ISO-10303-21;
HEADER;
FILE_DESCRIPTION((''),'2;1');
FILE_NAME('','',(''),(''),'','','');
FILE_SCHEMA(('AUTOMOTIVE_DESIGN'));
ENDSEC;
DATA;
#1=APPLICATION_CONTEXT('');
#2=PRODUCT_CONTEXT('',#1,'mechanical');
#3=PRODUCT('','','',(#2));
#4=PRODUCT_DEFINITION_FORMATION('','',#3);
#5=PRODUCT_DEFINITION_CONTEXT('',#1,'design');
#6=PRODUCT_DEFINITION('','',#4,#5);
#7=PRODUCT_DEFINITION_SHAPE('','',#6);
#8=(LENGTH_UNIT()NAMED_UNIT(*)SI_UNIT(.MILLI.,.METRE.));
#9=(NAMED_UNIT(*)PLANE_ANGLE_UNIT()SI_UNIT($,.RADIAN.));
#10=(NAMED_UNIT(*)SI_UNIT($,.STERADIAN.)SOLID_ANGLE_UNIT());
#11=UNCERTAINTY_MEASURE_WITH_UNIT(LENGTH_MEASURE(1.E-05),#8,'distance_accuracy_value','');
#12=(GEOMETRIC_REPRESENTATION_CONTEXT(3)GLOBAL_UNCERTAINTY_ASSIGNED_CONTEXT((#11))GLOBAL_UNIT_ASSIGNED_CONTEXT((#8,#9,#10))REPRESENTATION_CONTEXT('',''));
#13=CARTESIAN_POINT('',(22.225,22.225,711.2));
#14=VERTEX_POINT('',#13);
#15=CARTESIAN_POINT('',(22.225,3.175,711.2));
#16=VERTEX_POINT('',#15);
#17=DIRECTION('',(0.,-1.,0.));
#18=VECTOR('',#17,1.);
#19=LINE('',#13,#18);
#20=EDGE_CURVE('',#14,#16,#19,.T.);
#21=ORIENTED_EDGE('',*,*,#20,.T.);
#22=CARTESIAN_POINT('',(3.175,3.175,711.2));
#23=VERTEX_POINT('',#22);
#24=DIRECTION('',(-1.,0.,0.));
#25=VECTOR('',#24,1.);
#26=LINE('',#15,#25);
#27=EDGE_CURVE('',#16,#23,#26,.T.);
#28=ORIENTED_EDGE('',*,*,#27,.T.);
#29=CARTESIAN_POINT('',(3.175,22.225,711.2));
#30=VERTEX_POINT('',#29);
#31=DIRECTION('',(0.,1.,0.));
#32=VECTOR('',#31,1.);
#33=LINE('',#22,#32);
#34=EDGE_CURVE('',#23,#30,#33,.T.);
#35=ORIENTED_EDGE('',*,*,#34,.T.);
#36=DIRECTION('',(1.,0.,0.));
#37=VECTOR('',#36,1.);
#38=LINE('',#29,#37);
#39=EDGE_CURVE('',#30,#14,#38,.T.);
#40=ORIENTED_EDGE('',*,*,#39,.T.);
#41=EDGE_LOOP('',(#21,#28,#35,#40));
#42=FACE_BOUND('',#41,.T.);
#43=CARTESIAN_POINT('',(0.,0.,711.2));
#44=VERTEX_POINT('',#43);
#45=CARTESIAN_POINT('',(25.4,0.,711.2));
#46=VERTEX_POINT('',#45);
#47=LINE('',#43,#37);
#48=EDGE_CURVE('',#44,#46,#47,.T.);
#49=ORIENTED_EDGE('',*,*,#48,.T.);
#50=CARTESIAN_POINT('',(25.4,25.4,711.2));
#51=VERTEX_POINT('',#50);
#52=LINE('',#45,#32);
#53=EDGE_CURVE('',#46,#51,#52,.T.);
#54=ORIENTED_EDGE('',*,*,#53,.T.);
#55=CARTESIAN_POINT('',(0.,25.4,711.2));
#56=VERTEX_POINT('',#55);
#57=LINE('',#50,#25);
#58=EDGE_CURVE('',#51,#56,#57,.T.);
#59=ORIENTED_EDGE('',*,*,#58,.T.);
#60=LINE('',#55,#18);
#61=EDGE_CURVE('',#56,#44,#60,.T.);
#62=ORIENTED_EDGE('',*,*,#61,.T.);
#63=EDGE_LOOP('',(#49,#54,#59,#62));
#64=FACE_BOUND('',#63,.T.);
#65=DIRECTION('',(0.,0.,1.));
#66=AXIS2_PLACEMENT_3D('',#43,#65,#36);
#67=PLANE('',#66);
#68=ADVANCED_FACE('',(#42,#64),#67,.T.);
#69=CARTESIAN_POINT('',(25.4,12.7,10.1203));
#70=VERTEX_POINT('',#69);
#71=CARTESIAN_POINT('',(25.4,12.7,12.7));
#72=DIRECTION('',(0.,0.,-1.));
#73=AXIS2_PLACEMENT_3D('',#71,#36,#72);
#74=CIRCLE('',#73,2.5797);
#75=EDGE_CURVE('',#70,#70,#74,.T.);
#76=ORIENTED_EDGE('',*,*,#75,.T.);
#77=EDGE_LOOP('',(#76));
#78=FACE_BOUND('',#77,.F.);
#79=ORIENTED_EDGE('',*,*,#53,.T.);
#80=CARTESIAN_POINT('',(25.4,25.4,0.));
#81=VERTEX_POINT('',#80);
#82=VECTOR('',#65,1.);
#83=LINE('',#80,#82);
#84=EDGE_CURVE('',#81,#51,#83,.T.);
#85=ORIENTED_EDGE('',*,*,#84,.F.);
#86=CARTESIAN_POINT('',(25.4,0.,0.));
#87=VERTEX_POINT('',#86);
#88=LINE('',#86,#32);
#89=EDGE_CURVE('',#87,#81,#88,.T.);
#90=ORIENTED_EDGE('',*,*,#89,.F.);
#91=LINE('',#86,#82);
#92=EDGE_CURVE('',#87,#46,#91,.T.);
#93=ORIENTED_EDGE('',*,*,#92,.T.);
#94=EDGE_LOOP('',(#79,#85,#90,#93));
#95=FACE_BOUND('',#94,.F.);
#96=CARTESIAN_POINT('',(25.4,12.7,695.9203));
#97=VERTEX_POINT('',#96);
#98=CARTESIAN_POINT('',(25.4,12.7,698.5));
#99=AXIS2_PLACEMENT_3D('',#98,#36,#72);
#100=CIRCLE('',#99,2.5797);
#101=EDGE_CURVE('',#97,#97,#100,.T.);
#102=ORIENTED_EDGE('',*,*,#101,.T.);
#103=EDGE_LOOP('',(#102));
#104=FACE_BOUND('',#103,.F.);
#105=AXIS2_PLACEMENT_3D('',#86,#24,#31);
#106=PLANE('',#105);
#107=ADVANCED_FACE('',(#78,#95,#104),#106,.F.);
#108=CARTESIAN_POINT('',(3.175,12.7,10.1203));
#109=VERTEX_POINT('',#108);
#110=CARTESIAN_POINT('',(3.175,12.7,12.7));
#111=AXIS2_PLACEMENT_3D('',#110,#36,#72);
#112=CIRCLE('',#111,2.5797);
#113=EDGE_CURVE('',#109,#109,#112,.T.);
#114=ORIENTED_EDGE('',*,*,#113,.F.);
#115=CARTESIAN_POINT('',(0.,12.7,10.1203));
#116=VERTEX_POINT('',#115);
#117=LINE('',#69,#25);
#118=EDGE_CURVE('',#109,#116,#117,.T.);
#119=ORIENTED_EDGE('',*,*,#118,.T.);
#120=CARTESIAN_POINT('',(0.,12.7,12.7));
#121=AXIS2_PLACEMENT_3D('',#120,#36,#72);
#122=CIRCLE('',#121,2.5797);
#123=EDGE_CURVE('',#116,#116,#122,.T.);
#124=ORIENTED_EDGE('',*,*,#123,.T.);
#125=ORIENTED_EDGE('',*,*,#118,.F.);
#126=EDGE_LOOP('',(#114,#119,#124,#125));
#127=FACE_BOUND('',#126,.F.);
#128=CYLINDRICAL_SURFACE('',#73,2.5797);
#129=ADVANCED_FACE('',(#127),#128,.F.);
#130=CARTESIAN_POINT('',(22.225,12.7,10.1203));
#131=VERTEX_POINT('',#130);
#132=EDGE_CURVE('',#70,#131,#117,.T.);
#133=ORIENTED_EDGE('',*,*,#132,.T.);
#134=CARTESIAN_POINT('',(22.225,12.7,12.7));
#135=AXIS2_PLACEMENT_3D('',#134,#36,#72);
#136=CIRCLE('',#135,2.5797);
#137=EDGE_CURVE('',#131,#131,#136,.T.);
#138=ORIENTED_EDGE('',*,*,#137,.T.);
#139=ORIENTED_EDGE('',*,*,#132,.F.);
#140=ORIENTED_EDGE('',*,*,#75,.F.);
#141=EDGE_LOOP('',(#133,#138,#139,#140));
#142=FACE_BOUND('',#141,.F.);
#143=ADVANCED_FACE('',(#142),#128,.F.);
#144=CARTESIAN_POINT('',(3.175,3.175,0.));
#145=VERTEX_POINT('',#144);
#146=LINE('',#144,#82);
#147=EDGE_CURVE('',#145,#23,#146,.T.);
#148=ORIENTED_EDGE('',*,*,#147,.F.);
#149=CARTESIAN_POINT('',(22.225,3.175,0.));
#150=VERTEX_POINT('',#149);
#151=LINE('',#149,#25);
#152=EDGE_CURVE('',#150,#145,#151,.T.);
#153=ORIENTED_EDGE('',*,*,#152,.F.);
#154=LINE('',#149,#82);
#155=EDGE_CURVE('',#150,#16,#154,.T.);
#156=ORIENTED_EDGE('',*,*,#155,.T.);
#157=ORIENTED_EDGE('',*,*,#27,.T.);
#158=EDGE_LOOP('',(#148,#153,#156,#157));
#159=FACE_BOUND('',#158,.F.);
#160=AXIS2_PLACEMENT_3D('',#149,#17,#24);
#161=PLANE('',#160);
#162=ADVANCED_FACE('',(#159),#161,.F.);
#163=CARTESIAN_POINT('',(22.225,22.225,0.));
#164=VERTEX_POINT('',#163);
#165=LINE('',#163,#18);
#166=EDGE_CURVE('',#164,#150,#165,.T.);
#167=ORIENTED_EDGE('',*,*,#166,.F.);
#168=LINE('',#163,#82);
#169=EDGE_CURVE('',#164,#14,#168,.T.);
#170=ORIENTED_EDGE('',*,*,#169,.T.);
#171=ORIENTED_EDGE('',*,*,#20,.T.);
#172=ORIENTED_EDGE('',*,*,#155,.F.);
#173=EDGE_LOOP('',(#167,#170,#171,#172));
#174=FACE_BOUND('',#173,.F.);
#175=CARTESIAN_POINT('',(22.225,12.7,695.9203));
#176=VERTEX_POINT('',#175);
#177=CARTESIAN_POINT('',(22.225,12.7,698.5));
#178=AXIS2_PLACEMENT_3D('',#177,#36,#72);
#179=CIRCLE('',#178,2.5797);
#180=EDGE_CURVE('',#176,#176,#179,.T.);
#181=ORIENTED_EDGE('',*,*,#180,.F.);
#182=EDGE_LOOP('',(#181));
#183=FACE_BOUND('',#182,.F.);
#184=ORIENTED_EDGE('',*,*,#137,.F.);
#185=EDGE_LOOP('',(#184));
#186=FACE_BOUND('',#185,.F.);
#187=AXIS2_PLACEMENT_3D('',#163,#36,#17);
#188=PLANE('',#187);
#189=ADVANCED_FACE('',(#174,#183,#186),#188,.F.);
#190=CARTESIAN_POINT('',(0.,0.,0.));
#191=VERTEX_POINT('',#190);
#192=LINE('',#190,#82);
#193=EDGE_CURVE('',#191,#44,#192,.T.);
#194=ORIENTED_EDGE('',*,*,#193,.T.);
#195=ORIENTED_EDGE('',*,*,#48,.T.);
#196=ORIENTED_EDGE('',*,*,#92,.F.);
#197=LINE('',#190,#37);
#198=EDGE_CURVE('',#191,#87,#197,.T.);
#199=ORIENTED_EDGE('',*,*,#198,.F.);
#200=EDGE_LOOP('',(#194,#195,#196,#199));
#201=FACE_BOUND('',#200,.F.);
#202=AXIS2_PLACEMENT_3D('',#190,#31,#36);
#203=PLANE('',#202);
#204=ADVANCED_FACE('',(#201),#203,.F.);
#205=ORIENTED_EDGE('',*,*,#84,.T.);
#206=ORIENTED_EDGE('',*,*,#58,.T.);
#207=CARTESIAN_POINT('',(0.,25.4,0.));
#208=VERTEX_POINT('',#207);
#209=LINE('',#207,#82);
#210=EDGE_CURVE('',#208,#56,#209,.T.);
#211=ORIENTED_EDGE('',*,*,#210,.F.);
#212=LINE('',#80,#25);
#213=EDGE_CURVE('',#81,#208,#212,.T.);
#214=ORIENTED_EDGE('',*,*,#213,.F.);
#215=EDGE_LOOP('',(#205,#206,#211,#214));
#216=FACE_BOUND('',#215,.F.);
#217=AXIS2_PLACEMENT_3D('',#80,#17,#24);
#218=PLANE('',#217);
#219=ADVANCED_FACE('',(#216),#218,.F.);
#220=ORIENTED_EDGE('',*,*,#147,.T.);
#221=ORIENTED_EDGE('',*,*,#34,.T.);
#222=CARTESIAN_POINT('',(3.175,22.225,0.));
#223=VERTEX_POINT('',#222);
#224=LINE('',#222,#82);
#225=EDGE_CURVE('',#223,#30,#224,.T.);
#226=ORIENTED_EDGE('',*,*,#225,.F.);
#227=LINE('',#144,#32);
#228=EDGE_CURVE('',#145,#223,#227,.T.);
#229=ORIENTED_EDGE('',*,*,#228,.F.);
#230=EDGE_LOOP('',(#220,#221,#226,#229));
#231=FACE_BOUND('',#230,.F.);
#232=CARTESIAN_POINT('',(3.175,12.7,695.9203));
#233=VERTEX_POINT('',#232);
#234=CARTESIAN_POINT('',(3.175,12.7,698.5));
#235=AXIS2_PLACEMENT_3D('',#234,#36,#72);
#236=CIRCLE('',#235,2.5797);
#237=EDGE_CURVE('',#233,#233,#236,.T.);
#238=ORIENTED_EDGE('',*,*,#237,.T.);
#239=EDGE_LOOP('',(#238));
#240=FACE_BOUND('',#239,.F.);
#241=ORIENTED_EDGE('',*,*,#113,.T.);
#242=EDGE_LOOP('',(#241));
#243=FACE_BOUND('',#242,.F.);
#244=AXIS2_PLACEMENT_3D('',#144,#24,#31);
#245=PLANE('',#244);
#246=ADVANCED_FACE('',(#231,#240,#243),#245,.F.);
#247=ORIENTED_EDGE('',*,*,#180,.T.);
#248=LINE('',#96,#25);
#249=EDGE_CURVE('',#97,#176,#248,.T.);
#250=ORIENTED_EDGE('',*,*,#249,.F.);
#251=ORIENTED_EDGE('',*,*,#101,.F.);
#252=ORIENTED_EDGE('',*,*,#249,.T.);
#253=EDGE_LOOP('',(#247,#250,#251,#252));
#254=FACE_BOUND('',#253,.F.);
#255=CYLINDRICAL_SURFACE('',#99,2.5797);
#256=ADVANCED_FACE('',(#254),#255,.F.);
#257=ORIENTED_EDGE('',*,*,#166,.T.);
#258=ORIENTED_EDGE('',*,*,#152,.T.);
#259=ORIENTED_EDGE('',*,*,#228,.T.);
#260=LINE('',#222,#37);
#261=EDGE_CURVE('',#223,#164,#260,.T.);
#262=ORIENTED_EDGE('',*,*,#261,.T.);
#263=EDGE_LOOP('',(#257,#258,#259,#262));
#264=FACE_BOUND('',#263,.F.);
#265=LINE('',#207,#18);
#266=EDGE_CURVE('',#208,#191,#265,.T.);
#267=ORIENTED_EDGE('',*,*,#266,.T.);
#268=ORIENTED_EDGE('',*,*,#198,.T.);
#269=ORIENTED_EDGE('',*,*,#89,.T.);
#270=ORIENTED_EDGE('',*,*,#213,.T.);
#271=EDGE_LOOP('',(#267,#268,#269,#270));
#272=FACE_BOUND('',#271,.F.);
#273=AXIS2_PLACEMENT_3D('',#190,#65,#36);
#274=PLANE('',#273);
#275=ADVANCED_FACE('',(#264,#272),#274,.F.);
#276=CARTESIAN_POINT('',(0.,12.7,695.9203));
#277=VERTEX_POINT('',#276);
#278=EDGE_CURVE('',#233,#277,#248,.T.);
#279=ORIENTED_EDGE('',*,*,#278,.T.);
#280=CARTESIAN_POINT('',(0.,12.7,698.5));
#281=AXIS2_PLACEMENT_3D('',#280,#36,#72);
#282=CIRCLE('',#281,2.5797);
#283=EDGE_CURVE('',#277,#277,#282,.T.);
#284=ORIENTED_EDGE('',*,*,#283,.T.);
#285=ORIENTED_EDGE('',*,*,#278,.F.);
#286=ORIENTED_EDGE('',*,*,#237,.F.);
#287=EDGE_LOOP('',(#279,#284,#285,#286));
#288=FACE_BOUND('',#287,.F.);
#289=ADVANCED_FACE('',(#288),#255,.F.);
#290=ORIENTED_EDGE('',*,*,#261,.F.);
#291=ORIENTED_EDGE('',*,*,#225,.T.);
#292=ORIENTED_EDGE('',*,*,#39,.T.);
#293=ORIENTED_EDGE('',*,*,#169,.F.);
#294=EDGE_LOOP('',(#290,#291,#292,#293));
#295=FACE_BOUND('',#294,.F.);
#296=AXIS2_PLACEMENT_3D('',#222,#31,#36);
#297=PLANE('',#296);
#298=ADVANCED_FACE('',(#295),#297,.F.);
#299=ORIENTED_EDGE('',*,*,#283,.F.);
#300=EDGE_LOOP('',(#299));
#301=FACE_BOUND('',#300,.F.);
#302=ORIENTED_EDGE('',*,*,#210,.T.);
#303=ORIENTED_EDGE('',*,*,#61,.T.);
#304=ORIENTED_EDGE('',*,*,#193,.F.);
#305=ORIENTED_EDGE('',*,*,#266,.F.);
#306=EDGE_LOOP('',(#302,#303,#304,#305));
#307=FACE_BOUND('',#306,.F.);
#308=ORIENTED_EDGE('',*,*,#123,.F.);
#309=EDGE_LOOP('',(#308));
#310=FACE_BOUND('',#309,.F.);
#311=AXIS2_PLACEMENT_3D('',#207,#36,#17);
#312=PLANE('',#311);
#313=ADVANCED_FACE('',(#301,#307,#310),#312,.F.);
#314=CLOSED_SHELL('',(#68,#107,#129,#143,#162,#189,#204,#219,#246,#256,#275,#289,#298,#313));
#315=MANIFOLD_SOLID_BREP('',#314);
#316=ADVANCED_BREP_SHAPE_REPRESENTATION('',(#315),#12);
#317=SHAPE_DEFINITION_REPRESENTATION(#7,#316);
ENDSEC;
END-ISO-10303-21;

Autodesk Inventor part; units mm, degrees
ref_plane "YZ Plane" through (0, 0, 0) normal (1, 0, 0) x (0, 1, 0)
ref_plane "XZ Plane" through (0, 0, 0) normal (0, 1, 0) x (-1, 0, 0)
ref_plane "XY Plane" through (0, 0, 0) normal (0, 0, 1) x (1, 0, 0)
sketch "Sketch1" plane through (0, 0, 0) normal (0, 0, 1) x (1, 0, 0)
  line L0 (0, 0) -> (25.4, 0)
  line L1 (25.4, 0) -> (25.4, 25.4)
  line L2 (25.4, 25.4) -> (0, 25.4)
  line L3 (0, 25.4) -> (0, 0)
  line L4 (3.175, 22.225) -> (22.225, 22.225)
  line L5 (22.225, 22.225) -> (22.225, 3.175)
  line L6 (22.225, 3.175) -> (3.175, 3.175)
  line L7 (3.175, 3.175) -> (3.175, 22.225)
  dimension "d0" = 25.4
  dimension "d1" = 25.4
  dimension "d2" = 3.175
extrude "Extrusion1" add sketch "Sketch1" along normal blind 711.2
sketch "Sketch2" plane through (25.4, 0, 0) normal (1, 0, 0) x (0, 0, -1)
  line L0 (0, 3.175) -> (0, 22.225) construction
  line L1 (0, 12.7) -> (-12.7, 12.7) construction
  line L2 (-711.2, 22.225) -> (-711.2, 3.175) construction
  line L3 (-711.2, 12.7) -> (-698.5, 12.7) construction
  circle A0 centre (-698.5, 12.7) radius 2.5797
  circle A1 centre (-12.7, 12.7) radius 2.5797
  point P0 (0, 0)
  dimension "d5" = 12.7
  dimension "d6" = 12.7
  dimension "d7" = 5.1594
extrude "Extrusion2" cut sketch "Sketch2" against normal blind 25.4
properties part number "1x1 28 in"
